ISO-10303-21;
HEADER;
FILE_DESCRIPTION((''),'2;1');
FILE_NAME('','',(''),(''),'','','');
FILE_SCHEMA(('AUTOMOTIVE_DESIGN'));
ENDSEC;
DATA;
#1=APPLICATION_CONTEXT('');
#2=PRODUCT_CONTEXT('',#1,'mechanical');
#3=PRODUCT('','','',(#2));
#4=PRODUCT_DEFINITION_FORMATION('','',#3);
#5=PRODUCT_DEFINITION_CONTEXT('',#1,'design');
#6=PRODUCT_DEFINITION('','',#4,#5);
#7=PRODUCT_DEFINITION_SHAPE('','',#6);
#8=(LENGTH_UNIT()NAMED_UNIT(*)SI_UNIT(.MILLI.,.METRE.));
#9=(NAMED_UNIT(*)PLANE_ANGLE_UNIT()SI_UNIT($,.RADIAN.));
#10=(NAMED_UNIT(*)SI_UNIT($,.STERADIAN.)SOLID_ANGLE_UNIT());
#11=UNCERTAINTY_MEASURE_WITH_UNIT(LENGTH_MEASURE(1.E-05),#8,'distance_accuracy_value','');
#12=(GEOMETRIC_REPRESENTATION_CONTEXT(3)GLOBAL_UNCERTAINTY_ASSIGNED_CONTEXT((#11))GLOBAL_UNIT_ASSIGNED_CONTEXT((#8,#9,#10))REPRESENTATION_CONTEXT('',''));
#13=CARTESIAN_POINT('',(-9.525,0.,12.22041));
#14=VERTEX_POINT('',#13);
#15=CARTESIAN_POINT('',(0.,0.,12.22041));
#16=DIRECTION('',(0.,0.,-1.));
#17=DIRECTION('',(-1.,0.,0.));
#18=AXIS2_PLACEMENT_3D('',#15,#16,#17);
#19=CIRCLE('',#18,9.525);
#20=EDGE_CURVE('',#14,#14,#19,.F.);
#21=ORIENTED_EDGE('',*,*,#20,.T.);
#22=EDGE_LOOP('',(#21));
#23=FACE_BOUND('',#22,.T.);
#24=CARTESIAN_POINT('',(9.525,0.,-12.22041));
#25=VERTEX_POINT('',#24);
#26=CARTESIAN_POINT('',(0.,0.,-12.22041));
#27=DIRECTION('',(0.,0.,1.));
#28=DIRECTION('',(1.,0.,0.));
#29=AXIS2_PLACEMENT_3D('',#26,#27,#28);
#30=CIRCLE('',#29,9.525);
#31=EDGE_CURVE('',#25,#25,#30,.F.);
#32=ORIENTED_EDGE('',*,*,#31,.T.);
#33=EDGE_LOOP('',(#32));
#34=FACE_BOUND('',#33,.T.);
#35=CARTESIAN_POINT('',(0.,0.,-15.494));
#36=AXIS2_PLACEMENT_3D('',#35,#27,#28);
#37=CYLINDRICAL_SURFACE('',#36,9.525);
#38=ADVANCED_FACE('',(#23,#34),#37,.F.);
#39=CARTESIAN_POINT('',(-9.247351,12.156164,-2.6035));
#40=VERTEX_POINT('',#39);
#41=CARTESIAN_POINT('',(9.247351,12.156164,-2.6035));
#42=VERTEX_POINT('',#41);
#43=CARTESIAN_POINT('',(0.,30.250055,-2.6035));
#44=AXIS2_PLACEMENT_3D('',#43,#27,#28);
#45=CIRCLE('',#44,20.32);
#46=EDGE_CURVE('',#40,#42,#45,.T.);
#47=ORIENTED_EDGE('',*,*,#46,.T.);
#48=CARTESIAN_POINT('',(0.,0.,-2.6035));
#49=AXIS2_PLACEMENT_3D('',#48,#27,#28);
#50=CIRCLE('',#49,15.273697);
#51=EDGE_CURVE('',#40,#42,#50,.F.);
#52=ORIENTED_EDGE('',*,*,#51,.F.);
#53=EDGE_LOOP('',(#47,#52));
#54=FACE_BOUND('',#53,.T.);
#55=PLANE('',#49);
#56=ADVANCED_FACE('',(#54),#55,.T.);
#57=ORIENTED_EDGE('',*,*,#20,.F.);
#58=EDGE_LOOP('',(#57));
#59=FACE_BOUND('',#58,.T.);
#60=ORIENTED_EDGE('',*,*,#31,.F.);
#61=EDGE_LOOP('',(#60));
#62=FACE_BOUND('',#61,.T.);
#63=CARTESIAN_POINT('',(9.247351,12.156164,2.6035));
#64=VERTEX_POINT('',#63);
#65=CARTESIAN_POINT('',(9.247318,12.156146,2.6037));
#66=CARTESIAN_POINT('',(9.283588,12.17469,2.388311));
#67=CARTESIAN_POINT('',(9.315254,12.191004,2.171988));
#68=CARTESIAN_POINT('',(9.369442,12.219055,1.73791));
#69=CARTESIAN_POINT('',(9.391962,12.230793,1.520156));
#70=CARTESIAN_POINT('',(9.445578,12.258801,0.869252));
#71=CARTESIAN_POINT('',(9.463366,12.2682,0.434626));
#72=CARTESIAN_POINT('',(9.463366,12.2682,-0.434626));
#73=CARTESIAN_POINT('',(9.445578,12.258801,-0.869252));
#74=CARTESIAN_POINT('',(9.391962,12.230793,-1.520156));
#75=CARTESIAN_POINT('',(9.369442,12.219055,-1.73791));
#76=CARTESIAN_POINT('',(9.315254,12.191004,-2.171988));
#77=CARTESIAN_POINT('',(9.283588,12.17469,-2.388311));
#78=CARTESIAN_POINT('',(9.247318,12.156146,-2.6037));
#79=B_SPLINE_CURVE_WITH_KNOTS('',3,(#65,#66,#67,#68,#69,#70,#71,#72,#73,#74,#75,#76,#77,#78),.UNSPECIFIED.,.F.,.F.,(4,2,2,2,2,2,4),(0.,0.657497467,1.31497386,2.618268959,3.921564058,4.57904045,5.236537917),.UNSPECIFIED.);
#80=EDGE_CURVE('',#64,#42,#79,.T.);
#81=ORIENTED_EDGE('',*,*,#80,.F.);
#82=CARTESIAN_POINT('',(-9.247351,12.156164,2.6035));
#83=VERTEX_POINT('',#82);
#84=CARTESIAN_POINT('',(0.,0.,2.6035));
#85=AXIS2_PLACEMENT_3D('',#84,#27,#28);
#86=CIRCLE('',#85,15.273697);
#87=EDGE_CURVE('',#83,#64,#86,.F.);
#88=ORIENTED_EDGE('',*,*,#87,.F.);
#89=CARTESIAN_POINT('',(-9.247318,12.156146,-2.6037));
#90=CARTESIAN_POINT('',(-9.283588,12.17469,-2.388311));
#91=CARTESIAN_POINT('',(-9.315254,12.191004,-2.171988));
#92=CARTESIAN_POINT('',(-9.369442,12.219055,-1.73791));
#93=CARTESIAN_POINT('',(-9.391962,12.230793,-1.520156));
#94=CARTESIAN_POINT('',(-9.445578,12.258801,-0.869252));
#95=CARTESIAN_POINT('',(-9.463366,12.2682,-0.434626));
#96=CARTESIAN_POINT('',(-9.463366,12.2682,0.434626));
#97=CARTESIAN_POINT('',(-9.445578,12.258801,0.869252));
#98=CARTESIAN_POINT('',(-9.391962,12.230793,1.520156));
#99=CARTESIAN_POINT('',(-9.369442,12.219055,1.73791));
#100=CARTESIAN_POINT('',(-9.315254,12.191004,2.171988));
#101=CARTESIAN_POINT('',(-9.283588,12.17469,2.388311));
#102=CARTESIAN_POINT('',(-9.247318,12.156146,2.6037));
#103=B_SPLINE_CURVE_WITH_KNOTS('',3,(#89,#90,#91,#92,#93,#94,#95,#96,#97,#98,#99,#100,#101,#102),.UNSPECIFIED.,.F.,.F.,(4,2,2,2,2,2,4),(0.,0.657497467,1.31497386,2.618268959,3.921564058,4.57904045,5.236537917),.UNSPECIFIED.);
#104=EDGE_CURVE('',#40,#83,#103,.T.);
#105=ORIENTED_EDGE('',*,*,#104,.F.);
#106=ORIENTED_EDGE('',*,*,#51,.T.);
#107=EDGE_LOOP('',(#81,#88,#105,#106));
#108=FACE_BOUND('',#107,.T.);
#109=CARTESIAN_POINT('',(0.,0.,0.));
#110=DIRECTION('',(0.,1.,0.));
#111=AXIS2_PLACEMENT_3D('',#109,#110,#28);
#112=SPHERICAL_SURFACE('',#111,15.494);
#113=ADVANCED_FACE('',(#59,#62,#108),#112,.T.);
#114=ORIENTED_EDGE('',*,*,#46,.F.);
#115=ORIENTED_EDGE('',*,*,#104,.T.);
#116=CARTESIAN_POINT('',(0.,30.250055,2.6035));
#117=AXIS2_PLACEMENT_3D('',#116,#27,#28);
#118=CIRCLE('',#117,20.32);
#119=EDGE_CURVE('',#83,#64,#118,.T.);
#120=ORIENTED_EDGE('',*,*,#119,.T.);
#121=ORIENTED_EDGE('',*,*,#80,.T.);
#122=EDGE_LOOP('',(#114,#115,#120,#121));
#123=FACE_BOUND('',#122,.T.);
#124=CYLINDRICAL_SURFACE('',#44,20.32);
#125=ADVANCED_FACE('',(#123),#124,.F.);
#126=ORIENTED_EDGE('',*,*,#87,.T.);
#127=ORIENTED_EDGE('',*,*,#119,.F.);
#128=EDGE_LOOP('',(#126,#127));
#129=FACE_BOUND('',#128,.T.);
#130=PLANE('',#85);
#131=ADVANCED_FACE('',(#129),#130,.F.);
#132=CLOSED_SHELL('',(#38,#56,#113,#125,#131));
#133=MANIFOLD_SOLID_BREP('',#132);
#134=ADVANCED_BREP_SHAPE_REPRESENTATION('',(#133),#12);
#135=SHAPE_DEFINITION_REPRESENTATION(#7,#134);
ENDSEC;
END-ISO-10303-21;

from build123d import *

# Parameters (mm, degrees)
SKETCH2_W               = 22.86
SKETCH2_H               = 3.2258
CUT_EXTRUDE1_DEPTH      = 2.6035
CUT_EXTRUDE2_DEPTH      = 2.6035
SKETCH4_R               = 9.525
CUT_EXTRUDE3_DEPTH      = 16.494
CUT_EXTRUDE3_DEPTH_BACK = 16.494


with BuildPart() as part:
    # Sketch1 → Revolve1 (revolve)
    with BuildSketch(Plane.XY):
        with BuildLine():
            Line((0, 15.494), (0, -15.494))
            ThreePointArc((0, -15.494), (-15.494, 0), (0, 15.494))
        make_face()
    revolve(axis=Axis((0, 15.494, 0), (0, -1, 0)))

    # Sketch2 → Cut-Extrude1 (cut, symmetric)
    with BuildSketch(Plane.XY):
        with Locations((0, 13.8811)):
            Rectangle(SKETCH2_W, SKETCH2_H)
    extrude(amount=CUT_EXTRUDE1_DEPTH, both=True, mode=Mode.SUBTRACT)

    # Sketch3 → Cut-Extrude2 (cut, symmetric)
    with BuildSketch(Plane.XY):
        with BuildLine():
            Line((-9.463366, 12.2682), (9.463366, 12.2682))
            ThreePointArc((9.463366, 12.2682), (0, 9.930055), (-9.463366, 12.2682))
        make_face()
    extrude(amount=CUT_EXTRUDE2_DEPTH, both=True, mode=Mode.SUBTRACT)

    # Sketch4 → Cut-Extrude3 (cut, two sides)
    with BuildSketch(Plane.XY) as cut_extrude3_sk:
        Circle(SKETCH4_R)
    extrude(amount=CUT_EXTRUDE3_DEPTH, mode=Mode.SUBTRACT)
    extrude(cut_extrude3_sk.sketch, amount=-CUT_EXTRUDE3_DEPTH_BACK, mode=Mode.SUBTRACT)


solid = part.part
